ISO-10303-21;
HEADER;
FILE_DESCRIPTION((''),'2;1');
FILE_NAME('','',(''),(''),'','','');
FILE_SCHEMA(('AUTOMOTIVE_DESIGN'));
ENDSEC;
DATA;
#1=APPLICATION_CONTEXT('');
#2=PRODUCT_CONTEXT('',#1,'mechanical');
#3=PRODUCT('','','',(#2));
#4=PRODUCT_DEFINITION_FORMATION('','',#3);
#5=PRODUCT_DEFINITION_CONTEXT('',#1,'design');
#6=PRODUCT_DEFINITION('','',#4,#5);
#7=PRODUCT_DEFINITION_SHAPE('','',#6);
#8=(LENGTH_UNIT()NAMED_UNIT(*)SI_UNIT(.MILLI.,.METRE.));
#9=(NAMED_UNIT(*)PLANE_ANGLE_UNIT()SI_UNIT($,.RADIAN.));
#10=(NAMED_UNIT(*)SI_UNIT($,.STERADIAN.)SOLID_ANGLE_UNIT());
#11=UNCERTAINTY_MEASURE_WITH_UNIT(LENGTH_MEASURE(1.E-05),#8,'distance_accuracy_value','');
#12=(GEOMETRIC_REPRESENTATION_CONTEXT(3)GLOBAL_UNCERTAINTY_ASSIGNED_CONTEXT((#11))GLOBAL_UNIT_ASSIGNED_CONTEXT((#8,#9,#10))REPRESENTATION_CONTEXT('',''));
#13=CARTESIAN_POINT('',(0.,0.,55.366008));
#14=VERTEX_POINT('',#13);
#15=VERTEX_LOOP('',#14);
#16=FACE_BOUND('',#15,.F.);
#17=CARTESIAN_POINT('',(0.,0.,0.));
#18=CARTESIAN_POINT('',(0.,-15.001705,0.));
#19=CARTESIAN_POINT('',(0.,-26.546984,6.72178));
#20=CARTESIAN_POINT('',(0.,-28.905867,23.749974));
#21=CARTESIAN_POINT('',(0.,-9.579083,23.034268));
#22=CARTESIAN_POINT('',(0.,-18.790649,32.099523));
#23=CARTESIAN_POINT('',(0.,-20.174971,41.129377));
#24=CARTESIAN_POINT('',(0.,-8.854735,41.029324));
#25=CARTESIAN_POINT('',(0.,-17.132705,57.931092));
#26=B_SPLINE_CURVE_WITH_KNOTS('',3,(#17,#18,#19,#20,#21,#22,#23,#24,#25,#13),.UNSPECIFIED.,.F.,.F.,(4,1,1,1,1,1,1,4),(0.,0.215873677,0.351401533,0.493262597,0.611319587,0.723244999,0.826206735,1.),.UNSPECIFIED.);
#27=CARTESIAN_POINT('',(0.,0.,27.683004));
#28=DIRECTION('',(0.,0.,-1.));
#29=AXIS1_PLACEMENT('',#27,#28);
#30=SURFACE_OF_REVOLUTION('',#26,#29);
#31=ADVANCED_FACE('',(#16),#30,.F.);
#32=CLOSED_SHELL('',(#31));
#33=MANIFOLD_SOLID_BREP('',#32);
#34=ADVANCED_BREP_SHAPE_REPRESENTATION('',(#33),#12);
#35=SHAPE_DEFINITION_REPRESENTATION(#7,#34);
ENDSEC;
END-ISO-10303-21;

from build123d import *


with BuildPart() as f1:
    # F0 (on Right) → F1 (revolve)
    with BuildSketch(Plane.YZ):
        with BuildLine():
            add(Edge.make_bspline(
                [(0, 0), (-15.0017050018, 0), (-26.5469835115, 6.7217803629), (-28.9058668603, 23.7499739294), (-9.5790831588, 23.0342682662), (-18.7906487911, 32.0995227673), (-20.174970899, 41.1293768902), (-8.854735193, 41.0293241339), (-17.1327053786, 57.9310917114), (0, 55.3660083206)],
                knots=[0, 0, 0, 0, 0.2158736765, 0.3514015328, 0.4932625971, 0.6113195873, 0.7232449987, 0.8262067354, 1, 1, 1, 1], degree=3))
            Line((0, 0), (0, 55.3660083206))
        make_face()
    revolve(axis=Axis((0, 0, 27.6830041603), (0, 0, -1)))


solid = f1.part
